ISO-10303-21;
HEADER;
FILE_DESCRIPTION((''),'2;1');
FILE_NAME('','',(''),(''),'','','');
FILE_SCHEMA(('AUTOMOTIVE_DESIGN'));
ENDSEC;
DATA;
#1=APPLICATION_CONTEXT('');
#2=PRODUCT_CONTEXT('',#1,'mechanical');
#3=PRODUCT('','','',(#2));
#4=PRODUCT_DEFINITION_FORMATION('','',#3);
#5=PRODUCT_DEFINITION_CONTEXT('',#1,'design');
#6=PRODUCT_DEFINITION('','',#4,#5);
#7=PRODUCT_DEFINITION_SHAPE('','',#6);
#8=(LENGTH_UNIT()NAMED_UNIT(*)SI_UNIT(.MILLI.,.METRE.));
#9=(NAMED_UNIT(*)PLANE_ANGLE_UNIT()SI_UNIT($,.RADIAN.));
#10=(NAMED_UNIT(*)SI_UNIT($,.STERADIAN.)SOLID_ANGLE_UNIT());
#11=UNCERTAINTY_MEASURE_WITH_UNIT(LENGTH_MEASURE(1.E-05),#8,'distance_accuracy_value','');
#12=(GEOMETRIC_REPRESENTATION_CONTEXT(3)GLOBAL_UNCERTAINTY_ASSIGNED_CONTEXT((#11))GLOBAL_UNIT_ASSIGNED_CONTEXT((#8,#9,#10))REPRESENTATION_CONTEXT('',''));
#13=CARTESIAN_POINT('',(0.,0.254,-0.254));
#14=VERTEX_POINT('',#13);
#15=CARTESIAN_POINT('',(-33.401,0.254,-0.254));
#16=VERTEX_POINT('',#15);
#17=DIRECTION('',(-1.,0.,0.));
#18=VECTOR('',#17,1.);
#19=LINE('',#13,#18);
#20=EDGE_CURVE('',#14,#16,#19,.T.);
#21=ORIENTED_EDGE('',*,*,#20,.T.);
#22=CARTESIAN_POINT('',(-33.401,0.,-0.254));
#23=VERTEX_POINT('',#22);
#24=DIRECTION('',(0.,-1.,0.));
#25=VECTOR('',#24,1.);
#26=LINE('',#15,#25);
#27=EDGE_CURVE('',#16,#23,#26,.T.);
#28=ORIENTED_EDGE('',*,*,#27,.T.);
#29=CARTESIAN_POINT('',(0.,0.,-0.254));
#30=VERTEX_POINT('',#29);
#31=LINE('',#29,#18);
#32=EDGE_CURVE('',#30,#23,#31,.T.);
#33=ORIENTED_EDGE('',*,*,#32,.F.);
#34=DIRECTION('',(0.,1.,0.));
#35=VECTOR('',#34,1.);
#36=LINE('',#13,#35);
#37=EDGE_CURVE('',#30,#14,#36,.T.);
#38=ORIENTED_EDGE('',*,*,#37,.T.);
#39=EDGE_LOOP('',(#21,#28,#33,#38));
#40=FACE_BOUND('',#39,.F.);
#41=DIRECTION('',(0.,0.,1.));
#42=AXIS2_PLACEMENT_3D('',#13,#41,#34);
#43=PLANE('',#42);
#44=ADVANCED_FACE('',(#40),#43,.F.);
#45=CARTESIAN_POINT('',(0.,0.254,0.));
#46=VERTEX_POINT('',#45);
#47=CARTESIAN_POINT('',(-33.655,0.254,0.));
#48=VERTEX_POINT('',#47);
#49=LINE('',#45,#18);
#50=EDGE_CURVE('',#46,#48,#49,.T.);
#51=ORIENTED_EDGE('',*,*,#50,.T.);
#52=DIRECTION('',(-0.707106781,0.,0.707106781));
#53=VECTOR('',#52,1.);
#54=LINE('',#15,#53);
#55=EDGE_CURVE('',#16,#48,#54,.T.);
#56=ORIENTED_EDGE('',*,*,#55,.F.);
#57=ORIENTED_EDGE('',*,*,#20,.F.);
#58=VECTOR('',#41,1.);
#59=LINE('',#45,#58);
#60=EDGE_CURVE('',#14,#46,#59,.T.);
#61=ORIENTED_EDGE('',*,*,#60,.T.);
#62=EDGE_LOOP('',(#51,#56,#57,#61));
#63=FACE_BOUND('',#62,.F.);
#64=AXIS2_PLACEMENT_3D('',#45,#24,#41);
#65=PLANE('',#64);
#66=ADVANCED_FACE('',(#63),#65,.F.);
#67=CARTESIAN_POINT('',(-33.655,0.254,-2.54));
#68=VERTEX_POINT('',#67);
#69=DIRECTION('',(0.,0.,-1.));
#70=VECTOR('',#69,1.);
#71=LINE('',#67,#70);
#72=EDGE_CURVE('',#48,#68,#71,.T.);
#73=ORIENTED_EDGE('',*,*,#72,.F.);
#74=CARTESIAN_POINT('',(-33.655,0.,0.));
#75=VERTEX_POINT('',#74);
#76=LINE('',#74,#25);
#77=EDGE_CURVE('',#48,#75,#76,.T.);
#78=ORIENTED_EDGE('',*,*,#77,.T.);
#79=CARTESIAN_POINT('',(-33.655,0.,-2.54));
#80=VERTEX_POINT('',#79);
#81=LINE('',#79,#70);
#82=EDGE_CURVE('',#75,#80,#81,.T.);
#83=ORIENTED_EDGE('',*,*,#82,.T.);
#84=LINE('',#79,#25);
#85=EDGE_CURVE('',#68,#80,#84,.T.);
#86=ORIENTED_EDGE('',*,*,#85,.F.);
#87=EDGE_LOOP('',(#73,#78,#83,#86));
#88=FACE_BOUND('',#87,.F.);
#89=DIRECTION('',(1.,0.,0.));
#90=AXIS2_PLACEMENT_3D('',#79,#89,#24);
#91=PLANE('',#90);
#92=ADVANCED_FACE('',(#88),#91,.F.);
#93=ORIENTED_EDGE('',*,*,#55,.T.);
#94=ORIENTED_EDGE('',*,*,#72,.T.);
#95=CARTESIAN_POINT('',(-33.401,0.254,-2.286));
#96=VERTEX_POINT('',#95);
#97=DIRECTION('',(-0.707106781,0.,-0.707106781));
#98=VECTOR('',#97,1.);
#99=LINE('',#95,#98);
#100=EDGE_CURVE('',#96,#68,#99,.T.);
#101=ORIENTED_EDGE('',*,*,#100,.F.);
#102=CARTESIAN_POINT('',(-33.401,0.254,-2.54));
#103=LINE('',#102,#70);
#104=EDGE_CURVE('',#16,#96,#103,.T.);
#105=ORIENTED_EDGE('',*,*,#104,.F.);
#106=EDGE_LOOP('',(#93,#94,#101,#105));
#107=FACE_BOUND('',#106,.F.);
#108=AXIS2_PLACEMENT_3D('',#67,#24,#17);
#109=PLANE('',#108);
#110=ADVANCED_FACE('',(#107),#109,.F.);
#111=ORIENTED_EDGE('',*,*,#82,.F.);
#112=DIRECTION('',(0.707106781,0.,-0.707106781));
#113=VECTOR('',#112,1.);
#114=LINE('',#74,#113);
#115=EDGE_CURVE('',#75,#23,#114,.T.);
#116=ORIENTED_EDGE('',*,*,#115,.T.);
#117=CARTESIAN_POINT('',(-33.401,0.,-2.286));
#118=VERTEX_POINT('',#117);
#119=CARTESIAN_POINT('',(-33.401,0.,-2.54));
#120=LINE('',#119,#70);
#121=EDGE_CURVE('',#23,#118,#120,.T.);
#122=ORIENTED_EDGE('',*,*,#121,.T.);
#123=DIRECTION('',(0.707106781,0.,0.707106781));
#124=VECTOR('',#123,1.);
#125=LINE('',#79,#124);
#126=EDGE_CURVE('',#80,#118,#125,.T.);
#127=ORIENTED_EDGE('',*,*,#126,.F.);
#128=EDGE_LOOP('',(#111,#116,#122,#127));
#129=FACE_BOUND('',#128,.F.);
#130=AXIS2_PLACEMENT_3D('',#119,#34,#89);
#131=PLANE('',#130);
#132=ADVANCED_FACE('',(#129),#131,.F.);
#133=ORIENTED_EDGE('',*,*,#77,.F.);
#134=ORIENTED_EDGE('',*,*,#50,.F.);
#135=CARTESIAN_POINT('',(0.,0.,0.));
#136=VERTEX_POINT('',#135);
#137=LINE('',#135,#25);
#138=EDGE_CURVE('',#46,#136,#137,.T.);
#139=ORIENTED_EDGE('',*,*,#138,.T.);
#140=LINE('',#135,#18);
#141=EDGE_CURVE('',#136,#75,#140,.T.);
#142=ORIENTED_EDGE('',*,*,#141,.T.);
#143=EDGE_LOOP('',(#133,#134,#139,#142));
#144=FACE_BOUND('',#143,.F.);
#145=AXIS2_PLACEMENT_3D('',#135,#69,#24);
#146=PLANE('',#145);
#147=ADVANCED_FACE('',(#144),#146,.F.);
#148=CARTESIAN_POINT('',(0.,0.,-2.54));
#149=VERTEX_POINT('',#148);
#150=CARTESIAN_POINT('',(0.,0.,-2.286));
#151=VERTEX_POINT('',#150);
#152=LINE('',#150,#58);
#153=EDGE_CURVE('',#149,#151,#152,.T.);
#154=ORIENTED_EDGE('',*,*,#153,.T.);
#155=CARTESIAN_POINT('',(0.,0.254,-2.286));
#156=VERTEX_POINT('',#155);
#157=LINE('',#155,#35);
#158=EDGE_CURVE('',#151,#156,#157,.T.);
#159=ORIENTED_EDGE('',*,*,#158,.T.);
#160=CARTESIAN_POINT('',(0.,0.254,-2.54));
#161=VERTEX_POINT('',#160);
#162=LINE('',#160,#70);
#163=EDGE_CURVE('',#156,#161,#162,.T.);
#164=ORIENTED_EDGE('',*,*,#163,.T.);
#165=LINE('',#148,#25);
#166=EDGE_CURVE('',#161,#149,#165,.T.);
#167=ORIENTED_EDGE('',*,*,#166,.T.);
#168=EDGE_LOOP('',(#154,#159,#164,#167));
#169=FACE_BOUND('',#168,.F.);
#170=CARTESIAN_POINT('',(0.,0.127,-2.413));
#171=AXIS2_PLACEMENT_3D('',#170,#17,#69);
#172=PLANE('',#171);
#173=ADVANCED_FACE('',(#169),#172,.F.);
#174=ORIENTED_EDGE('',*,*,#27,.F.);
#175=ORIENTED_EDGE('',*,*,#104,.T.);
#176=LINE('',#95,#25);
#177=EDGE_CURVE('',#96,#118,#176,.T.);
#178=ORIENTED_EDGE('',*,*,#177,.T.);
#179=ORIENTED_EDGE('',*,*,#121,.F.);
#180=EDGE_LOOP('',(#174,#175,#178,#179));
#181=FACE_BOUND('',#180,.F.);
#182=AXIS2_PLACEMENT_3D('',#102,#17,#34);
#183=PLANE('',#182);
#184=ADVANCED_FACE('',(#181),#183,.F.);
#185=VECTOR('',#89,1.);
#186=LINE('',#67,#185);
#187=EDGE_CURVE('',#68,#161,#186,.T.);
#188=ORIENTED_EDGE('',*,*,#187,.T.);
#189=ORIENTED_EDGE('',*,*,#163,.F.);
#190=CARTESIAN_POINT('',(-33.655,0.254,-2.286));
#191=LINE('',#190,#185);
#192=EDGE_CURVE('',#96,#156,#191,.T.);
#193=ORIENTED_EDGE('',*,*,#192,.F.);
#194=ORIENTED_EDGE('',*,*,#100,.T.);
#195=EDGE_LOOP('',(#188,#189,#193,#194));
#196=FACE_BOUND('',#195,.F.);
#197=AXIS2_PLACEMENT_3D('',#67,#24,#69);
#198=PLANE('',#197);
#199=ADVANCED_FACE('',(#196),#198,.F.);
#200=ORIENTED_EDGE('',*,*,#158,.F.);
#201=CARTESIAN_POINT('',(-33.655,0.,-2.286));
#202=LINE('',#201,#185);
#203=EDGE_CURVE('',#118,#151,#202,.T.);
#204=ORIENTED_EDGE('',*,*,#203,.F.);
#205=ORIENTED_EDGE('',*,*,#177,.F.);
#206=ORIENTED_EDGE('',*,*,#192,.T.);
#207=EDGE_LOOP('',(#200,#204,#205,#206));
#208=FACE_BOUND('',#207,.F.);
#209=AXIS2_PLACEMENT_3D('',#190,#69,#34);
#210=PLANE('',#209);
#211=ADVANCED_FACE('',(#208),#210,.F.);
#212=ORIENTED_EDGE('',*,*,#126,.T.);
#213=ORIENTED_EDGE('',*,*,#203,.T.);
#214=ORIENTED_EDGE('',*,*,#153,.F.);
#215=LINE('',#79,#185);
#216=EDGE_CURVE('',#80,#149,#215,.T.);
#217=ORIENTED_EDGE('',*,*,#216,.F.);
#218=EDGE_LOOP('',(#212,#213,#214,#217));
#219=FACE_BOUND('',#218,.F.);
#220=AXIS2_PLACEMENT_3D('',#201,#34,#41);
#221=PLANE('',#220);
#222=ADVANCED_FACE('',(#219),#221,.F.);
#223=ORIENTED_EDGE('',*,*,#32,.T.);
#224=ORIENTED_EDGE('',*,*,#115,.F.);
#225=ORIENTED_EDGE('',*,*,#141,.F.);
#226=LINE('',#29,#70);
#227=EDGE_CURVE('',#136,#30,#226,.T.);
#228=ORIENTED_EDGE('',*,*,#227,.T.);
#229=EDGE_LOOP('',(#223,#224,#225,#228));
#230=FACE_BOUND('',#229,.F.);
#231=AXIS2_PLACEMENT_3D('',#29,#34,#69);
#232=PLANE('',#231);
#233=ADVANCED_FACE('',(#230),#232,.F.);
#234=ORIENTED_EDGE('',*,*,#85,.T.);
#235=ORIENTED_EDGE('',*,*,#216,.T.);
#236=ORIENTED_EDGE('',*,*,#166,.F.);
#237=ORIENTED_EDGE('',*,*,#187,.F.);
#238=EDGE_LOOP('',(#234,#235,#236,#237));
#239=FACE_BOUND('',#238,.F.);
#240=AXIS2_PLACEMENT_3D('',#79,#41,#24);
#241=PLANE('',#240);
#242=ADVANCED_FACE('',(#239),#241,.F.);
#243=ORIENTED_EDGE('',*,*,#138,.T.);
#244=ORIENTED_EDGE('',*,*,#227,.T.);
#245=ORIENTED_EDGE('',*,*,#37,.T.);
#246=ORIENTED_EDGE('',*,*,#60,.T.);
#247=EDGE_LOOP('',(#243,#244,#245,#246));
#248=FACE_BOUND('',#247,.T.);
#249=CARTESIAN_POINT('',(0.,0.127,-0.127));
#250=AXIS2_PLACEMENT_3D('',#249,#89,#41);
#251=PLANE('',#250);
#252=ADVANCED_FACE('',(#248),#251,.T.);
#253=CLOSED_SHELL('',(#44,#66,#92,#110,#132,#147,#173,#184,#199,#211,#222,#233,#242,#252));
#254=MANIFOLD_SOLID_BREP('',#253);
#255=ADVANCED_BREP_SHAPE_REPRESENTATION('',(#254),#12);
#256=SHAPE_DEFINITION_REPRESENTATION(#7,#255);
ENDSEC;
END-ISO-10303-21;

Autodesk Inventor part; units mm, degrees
ref_plane "XZ Plane" through (0, 0, 0) normal (0, 1, 0) x (-1, 0, 0)
sketch "Sketch1" plane through (0, 0, 0) normal (0, 1, 0) x (-1, 0, 0)
  line L0 (0, 0) -> (33.655, 0)
  line L1 (33.655, -2.54) -> (0, -2.54)
  line L2 (33.655, -2.54) -> (33.655, 0)
  dimension "d69" = 33.655
  dimension "d70" = 33.655
  dimension "d89" = 2.54
  dimension "d90" = 0
  dimension "d91" = 0
  dimension "d92" = 0
sketch "Sketch2" plane through (0, 0, 0) normal (1, 0, 0) x (0, 1, 0)
  line L0 (0, 0) -> (0.254, 0)
  line L1 (0.254, 0) -> (0.254, -0.254)
  line L2 (0.254, -0.254) -> (0, -0.254)
  line L3 (0, -0.254) -> (0, 0)
  dimension "d98" = 0.254
  dimension "d99" = 0.254
sweep "Sweep1" add profiles "Sketch2" path "Sketch1"
ref_plane "Work Plane1" through (6.35, 0, 0) normal (1, 0, 0) x (0, 1, 0)
ref_plane "Work Plane2" through (0, 0, -6.35) normal (0, 0, 1) x (1, 0, 0)
ref_plane "Work Plane4" through (0, 0, -2.9845) normal (0, 0, 1) x (1, 0, 0)
properties part number "abs_1p5" material "Silver"
